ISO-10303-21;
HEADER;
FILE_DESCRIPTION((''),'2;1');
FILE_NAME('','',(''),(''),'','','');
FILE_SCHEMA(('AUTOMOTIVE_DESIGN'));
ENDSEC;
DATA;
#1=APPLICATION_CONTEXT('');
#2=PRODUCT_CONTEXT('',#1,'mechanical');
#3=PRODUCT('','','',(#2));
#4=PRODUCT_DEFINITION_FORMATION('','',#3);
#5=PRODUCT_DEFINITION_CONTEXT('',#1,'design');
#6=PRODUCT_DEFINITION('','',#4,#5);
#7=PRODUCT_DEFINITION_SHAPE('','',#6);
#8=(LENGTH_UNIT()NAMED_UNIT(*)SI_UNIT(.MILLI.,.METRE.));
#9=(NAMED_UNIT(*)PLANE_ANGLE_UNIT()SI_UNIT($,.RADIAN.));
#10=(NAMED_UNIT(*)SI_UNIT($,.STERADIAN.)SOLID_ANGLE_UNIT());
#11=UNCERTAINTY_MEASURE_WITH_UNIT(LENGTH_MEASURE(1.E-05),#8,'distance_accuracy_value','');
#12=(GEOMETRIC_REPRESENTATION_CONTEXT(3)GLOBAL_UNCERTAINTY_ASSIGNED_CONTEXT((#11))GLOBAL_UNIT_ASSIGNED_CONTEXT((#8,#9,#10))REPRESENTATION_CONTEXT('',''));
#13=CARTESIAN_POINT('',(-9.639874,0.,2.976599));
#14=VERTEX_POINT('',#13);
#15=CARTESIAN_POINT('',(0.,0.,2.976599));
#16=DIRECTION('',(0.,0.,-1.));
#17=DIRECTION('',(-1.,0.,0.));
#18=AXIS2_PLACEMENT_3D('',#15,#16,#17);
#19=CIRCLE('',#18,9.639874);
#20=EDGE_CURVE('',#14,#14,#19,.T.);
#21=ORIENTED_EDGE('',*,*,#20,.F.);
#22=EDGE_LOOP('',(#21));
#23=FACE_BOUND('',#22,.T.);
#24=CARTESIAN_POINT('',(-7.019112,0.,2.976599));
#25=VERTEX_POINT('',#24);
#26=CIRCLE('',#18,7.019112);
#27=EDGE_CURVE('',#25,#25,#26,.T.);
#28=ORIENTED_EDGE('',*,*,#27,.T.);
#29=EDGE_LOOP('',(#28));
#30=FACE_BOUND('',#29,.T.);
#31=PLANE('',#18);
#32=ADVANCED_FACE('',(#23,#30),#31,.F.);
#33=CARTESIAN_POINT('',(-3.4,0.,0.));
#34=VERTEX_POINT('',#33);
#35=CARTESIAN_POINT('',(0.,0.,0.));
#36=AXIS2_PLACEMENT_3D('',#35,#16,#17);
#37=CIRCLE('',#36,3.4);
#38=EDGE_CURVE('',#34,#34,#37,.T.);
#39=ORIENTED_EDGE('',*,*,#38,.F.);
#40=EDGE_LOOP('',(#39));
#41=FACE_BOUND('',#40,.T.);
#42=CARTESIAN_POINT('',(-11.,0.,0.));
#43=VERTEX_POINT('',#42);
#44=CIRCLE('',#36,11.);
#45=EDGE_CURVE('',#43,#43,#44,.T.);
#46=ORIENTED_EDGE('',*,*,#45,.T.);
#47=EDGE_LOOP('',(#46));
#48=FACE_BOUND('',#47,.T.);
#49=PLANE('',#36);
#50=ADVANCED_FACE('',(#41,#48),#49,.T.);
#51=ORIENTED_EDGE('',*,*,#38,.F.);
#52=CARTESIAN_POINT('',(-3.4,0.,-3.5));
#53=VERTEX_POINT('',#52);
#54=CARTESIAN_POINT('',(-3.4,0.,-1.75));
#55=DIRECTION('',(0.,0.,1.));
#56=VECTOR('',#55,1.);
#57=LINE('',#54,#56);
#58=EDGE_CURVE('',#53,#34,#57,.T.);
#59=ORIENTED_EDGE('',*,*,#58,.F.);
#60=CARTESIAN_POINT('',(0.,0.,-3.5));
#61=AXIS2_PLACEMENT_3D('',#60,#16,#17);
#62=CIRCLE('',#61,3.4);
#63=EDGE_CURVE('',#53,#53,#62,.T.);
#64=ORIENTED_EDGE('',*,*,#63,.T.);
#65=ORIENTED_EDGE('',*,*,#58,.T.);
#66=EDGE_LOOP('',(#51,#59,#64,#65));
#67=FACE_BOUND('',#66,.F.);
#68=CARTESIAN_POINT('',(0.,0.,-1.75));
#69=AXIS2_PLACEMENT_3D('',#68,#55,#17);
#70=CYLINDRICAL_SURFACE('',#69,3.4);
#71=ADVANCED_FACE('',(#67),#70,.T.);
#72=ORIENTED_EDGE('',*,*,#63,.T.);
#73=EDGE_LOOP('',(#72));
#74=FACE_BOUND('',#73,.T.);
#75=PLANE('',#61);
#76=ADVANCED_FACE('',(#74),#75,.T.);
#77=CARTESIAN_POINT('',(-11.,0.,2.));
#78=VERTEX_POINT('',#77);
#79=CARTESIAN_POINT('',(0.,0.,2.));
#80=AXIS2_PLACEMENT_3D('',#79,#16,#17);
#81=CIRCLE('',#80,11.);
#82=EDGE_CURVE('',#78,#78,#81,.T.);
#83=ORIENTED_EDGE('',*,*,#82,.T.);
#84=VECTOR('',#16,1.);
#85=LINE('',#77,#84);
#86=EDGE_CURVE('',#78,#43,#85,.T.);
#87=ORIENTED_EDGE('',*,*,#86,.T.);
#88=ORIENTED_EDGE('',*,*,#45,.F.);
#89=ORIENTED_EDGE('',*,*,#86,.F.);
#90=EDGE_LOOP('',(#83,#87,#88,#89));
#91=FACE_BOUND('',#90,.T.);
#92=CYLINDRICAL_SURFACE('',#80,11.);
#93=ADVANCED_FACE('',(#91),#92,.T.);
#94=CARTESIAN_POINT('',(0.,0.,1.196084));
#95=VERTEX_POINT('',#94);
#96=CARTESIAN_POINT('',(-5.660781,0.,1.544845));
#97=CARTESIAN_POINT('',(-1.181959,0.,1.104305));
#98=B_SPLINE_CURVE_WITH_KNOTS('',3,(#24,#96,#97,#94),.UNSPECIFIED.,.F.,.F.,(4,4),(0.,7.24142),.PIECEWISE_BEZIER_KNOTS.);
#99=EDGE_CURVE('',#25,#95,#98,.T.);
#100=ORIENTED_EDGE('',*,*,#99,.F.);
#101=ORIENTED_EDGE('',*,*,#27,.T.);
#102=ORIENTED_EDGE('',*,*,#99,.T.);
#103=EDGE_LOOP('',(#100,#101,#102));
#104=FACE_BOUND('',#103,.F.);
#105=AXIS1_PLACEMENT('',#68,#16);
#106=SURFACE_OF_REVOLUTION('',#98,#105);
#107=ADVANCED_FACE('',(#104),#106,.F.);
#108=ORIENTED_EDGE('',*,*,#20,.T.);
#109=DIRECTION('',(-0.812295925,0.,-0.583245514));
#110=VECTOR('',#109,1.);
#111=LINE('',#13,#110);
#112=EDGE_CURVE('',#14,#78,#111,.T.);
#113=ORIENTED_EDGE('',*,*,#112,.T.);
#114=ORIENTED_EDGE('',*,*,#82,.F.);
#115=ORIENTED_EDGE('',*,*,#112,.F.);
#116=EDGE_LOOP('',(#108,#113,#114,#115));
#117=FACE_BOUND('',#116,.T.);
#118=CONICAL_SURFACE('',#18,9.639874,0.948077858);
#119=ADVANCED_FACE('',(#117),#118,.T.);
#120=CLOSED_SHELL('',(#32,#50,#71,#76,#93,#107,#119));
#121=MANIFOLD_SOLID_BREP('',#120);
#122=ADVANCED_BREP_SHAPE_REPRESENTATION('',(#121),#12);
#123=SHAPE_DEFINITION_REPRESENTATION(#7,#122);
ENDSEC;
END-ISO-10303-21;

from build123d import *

# Parameters (mm, degrees)
F0_W = 3.4
F0_H = 3.5


with BuildPart() as f1:
    # F0 (on Front) → F1 (revolve)
    with BuildSketch(Plane.XZ):
        with BuildLine():
            Line((-3.4, 0), (0, 0))
            Line((0, 0), (0, 1.196084))
            add(Edge.make_bspline(
                [(-7.019112, 2.976599), (-5.660781, 1.544845), (-1.181959, 1.104305), (0, 1.196084)],
                knots=[0, 0, 0, 0, 7.24142, 7.24142, 7.24142, 7.24142], degree=3))
            Line((-7.019112, 2.976599), (-9.639874, 2.976599))
            Line((-9.639874, 2.976599), (-11, 2))
            Line((-11, 2), (-11, 0))
            Line((-11, 0), (-4.552201, 0))
            Line((-4.552201, 0), (-3.4, 0))
        make_face()
        with Locations((-1.7, -1.75)):
            Rectangle(F0_W, F0_H)
    revolve(axis=Axis((0, 0, -1.75), (0, 0, -1)))


solid = f1.part
